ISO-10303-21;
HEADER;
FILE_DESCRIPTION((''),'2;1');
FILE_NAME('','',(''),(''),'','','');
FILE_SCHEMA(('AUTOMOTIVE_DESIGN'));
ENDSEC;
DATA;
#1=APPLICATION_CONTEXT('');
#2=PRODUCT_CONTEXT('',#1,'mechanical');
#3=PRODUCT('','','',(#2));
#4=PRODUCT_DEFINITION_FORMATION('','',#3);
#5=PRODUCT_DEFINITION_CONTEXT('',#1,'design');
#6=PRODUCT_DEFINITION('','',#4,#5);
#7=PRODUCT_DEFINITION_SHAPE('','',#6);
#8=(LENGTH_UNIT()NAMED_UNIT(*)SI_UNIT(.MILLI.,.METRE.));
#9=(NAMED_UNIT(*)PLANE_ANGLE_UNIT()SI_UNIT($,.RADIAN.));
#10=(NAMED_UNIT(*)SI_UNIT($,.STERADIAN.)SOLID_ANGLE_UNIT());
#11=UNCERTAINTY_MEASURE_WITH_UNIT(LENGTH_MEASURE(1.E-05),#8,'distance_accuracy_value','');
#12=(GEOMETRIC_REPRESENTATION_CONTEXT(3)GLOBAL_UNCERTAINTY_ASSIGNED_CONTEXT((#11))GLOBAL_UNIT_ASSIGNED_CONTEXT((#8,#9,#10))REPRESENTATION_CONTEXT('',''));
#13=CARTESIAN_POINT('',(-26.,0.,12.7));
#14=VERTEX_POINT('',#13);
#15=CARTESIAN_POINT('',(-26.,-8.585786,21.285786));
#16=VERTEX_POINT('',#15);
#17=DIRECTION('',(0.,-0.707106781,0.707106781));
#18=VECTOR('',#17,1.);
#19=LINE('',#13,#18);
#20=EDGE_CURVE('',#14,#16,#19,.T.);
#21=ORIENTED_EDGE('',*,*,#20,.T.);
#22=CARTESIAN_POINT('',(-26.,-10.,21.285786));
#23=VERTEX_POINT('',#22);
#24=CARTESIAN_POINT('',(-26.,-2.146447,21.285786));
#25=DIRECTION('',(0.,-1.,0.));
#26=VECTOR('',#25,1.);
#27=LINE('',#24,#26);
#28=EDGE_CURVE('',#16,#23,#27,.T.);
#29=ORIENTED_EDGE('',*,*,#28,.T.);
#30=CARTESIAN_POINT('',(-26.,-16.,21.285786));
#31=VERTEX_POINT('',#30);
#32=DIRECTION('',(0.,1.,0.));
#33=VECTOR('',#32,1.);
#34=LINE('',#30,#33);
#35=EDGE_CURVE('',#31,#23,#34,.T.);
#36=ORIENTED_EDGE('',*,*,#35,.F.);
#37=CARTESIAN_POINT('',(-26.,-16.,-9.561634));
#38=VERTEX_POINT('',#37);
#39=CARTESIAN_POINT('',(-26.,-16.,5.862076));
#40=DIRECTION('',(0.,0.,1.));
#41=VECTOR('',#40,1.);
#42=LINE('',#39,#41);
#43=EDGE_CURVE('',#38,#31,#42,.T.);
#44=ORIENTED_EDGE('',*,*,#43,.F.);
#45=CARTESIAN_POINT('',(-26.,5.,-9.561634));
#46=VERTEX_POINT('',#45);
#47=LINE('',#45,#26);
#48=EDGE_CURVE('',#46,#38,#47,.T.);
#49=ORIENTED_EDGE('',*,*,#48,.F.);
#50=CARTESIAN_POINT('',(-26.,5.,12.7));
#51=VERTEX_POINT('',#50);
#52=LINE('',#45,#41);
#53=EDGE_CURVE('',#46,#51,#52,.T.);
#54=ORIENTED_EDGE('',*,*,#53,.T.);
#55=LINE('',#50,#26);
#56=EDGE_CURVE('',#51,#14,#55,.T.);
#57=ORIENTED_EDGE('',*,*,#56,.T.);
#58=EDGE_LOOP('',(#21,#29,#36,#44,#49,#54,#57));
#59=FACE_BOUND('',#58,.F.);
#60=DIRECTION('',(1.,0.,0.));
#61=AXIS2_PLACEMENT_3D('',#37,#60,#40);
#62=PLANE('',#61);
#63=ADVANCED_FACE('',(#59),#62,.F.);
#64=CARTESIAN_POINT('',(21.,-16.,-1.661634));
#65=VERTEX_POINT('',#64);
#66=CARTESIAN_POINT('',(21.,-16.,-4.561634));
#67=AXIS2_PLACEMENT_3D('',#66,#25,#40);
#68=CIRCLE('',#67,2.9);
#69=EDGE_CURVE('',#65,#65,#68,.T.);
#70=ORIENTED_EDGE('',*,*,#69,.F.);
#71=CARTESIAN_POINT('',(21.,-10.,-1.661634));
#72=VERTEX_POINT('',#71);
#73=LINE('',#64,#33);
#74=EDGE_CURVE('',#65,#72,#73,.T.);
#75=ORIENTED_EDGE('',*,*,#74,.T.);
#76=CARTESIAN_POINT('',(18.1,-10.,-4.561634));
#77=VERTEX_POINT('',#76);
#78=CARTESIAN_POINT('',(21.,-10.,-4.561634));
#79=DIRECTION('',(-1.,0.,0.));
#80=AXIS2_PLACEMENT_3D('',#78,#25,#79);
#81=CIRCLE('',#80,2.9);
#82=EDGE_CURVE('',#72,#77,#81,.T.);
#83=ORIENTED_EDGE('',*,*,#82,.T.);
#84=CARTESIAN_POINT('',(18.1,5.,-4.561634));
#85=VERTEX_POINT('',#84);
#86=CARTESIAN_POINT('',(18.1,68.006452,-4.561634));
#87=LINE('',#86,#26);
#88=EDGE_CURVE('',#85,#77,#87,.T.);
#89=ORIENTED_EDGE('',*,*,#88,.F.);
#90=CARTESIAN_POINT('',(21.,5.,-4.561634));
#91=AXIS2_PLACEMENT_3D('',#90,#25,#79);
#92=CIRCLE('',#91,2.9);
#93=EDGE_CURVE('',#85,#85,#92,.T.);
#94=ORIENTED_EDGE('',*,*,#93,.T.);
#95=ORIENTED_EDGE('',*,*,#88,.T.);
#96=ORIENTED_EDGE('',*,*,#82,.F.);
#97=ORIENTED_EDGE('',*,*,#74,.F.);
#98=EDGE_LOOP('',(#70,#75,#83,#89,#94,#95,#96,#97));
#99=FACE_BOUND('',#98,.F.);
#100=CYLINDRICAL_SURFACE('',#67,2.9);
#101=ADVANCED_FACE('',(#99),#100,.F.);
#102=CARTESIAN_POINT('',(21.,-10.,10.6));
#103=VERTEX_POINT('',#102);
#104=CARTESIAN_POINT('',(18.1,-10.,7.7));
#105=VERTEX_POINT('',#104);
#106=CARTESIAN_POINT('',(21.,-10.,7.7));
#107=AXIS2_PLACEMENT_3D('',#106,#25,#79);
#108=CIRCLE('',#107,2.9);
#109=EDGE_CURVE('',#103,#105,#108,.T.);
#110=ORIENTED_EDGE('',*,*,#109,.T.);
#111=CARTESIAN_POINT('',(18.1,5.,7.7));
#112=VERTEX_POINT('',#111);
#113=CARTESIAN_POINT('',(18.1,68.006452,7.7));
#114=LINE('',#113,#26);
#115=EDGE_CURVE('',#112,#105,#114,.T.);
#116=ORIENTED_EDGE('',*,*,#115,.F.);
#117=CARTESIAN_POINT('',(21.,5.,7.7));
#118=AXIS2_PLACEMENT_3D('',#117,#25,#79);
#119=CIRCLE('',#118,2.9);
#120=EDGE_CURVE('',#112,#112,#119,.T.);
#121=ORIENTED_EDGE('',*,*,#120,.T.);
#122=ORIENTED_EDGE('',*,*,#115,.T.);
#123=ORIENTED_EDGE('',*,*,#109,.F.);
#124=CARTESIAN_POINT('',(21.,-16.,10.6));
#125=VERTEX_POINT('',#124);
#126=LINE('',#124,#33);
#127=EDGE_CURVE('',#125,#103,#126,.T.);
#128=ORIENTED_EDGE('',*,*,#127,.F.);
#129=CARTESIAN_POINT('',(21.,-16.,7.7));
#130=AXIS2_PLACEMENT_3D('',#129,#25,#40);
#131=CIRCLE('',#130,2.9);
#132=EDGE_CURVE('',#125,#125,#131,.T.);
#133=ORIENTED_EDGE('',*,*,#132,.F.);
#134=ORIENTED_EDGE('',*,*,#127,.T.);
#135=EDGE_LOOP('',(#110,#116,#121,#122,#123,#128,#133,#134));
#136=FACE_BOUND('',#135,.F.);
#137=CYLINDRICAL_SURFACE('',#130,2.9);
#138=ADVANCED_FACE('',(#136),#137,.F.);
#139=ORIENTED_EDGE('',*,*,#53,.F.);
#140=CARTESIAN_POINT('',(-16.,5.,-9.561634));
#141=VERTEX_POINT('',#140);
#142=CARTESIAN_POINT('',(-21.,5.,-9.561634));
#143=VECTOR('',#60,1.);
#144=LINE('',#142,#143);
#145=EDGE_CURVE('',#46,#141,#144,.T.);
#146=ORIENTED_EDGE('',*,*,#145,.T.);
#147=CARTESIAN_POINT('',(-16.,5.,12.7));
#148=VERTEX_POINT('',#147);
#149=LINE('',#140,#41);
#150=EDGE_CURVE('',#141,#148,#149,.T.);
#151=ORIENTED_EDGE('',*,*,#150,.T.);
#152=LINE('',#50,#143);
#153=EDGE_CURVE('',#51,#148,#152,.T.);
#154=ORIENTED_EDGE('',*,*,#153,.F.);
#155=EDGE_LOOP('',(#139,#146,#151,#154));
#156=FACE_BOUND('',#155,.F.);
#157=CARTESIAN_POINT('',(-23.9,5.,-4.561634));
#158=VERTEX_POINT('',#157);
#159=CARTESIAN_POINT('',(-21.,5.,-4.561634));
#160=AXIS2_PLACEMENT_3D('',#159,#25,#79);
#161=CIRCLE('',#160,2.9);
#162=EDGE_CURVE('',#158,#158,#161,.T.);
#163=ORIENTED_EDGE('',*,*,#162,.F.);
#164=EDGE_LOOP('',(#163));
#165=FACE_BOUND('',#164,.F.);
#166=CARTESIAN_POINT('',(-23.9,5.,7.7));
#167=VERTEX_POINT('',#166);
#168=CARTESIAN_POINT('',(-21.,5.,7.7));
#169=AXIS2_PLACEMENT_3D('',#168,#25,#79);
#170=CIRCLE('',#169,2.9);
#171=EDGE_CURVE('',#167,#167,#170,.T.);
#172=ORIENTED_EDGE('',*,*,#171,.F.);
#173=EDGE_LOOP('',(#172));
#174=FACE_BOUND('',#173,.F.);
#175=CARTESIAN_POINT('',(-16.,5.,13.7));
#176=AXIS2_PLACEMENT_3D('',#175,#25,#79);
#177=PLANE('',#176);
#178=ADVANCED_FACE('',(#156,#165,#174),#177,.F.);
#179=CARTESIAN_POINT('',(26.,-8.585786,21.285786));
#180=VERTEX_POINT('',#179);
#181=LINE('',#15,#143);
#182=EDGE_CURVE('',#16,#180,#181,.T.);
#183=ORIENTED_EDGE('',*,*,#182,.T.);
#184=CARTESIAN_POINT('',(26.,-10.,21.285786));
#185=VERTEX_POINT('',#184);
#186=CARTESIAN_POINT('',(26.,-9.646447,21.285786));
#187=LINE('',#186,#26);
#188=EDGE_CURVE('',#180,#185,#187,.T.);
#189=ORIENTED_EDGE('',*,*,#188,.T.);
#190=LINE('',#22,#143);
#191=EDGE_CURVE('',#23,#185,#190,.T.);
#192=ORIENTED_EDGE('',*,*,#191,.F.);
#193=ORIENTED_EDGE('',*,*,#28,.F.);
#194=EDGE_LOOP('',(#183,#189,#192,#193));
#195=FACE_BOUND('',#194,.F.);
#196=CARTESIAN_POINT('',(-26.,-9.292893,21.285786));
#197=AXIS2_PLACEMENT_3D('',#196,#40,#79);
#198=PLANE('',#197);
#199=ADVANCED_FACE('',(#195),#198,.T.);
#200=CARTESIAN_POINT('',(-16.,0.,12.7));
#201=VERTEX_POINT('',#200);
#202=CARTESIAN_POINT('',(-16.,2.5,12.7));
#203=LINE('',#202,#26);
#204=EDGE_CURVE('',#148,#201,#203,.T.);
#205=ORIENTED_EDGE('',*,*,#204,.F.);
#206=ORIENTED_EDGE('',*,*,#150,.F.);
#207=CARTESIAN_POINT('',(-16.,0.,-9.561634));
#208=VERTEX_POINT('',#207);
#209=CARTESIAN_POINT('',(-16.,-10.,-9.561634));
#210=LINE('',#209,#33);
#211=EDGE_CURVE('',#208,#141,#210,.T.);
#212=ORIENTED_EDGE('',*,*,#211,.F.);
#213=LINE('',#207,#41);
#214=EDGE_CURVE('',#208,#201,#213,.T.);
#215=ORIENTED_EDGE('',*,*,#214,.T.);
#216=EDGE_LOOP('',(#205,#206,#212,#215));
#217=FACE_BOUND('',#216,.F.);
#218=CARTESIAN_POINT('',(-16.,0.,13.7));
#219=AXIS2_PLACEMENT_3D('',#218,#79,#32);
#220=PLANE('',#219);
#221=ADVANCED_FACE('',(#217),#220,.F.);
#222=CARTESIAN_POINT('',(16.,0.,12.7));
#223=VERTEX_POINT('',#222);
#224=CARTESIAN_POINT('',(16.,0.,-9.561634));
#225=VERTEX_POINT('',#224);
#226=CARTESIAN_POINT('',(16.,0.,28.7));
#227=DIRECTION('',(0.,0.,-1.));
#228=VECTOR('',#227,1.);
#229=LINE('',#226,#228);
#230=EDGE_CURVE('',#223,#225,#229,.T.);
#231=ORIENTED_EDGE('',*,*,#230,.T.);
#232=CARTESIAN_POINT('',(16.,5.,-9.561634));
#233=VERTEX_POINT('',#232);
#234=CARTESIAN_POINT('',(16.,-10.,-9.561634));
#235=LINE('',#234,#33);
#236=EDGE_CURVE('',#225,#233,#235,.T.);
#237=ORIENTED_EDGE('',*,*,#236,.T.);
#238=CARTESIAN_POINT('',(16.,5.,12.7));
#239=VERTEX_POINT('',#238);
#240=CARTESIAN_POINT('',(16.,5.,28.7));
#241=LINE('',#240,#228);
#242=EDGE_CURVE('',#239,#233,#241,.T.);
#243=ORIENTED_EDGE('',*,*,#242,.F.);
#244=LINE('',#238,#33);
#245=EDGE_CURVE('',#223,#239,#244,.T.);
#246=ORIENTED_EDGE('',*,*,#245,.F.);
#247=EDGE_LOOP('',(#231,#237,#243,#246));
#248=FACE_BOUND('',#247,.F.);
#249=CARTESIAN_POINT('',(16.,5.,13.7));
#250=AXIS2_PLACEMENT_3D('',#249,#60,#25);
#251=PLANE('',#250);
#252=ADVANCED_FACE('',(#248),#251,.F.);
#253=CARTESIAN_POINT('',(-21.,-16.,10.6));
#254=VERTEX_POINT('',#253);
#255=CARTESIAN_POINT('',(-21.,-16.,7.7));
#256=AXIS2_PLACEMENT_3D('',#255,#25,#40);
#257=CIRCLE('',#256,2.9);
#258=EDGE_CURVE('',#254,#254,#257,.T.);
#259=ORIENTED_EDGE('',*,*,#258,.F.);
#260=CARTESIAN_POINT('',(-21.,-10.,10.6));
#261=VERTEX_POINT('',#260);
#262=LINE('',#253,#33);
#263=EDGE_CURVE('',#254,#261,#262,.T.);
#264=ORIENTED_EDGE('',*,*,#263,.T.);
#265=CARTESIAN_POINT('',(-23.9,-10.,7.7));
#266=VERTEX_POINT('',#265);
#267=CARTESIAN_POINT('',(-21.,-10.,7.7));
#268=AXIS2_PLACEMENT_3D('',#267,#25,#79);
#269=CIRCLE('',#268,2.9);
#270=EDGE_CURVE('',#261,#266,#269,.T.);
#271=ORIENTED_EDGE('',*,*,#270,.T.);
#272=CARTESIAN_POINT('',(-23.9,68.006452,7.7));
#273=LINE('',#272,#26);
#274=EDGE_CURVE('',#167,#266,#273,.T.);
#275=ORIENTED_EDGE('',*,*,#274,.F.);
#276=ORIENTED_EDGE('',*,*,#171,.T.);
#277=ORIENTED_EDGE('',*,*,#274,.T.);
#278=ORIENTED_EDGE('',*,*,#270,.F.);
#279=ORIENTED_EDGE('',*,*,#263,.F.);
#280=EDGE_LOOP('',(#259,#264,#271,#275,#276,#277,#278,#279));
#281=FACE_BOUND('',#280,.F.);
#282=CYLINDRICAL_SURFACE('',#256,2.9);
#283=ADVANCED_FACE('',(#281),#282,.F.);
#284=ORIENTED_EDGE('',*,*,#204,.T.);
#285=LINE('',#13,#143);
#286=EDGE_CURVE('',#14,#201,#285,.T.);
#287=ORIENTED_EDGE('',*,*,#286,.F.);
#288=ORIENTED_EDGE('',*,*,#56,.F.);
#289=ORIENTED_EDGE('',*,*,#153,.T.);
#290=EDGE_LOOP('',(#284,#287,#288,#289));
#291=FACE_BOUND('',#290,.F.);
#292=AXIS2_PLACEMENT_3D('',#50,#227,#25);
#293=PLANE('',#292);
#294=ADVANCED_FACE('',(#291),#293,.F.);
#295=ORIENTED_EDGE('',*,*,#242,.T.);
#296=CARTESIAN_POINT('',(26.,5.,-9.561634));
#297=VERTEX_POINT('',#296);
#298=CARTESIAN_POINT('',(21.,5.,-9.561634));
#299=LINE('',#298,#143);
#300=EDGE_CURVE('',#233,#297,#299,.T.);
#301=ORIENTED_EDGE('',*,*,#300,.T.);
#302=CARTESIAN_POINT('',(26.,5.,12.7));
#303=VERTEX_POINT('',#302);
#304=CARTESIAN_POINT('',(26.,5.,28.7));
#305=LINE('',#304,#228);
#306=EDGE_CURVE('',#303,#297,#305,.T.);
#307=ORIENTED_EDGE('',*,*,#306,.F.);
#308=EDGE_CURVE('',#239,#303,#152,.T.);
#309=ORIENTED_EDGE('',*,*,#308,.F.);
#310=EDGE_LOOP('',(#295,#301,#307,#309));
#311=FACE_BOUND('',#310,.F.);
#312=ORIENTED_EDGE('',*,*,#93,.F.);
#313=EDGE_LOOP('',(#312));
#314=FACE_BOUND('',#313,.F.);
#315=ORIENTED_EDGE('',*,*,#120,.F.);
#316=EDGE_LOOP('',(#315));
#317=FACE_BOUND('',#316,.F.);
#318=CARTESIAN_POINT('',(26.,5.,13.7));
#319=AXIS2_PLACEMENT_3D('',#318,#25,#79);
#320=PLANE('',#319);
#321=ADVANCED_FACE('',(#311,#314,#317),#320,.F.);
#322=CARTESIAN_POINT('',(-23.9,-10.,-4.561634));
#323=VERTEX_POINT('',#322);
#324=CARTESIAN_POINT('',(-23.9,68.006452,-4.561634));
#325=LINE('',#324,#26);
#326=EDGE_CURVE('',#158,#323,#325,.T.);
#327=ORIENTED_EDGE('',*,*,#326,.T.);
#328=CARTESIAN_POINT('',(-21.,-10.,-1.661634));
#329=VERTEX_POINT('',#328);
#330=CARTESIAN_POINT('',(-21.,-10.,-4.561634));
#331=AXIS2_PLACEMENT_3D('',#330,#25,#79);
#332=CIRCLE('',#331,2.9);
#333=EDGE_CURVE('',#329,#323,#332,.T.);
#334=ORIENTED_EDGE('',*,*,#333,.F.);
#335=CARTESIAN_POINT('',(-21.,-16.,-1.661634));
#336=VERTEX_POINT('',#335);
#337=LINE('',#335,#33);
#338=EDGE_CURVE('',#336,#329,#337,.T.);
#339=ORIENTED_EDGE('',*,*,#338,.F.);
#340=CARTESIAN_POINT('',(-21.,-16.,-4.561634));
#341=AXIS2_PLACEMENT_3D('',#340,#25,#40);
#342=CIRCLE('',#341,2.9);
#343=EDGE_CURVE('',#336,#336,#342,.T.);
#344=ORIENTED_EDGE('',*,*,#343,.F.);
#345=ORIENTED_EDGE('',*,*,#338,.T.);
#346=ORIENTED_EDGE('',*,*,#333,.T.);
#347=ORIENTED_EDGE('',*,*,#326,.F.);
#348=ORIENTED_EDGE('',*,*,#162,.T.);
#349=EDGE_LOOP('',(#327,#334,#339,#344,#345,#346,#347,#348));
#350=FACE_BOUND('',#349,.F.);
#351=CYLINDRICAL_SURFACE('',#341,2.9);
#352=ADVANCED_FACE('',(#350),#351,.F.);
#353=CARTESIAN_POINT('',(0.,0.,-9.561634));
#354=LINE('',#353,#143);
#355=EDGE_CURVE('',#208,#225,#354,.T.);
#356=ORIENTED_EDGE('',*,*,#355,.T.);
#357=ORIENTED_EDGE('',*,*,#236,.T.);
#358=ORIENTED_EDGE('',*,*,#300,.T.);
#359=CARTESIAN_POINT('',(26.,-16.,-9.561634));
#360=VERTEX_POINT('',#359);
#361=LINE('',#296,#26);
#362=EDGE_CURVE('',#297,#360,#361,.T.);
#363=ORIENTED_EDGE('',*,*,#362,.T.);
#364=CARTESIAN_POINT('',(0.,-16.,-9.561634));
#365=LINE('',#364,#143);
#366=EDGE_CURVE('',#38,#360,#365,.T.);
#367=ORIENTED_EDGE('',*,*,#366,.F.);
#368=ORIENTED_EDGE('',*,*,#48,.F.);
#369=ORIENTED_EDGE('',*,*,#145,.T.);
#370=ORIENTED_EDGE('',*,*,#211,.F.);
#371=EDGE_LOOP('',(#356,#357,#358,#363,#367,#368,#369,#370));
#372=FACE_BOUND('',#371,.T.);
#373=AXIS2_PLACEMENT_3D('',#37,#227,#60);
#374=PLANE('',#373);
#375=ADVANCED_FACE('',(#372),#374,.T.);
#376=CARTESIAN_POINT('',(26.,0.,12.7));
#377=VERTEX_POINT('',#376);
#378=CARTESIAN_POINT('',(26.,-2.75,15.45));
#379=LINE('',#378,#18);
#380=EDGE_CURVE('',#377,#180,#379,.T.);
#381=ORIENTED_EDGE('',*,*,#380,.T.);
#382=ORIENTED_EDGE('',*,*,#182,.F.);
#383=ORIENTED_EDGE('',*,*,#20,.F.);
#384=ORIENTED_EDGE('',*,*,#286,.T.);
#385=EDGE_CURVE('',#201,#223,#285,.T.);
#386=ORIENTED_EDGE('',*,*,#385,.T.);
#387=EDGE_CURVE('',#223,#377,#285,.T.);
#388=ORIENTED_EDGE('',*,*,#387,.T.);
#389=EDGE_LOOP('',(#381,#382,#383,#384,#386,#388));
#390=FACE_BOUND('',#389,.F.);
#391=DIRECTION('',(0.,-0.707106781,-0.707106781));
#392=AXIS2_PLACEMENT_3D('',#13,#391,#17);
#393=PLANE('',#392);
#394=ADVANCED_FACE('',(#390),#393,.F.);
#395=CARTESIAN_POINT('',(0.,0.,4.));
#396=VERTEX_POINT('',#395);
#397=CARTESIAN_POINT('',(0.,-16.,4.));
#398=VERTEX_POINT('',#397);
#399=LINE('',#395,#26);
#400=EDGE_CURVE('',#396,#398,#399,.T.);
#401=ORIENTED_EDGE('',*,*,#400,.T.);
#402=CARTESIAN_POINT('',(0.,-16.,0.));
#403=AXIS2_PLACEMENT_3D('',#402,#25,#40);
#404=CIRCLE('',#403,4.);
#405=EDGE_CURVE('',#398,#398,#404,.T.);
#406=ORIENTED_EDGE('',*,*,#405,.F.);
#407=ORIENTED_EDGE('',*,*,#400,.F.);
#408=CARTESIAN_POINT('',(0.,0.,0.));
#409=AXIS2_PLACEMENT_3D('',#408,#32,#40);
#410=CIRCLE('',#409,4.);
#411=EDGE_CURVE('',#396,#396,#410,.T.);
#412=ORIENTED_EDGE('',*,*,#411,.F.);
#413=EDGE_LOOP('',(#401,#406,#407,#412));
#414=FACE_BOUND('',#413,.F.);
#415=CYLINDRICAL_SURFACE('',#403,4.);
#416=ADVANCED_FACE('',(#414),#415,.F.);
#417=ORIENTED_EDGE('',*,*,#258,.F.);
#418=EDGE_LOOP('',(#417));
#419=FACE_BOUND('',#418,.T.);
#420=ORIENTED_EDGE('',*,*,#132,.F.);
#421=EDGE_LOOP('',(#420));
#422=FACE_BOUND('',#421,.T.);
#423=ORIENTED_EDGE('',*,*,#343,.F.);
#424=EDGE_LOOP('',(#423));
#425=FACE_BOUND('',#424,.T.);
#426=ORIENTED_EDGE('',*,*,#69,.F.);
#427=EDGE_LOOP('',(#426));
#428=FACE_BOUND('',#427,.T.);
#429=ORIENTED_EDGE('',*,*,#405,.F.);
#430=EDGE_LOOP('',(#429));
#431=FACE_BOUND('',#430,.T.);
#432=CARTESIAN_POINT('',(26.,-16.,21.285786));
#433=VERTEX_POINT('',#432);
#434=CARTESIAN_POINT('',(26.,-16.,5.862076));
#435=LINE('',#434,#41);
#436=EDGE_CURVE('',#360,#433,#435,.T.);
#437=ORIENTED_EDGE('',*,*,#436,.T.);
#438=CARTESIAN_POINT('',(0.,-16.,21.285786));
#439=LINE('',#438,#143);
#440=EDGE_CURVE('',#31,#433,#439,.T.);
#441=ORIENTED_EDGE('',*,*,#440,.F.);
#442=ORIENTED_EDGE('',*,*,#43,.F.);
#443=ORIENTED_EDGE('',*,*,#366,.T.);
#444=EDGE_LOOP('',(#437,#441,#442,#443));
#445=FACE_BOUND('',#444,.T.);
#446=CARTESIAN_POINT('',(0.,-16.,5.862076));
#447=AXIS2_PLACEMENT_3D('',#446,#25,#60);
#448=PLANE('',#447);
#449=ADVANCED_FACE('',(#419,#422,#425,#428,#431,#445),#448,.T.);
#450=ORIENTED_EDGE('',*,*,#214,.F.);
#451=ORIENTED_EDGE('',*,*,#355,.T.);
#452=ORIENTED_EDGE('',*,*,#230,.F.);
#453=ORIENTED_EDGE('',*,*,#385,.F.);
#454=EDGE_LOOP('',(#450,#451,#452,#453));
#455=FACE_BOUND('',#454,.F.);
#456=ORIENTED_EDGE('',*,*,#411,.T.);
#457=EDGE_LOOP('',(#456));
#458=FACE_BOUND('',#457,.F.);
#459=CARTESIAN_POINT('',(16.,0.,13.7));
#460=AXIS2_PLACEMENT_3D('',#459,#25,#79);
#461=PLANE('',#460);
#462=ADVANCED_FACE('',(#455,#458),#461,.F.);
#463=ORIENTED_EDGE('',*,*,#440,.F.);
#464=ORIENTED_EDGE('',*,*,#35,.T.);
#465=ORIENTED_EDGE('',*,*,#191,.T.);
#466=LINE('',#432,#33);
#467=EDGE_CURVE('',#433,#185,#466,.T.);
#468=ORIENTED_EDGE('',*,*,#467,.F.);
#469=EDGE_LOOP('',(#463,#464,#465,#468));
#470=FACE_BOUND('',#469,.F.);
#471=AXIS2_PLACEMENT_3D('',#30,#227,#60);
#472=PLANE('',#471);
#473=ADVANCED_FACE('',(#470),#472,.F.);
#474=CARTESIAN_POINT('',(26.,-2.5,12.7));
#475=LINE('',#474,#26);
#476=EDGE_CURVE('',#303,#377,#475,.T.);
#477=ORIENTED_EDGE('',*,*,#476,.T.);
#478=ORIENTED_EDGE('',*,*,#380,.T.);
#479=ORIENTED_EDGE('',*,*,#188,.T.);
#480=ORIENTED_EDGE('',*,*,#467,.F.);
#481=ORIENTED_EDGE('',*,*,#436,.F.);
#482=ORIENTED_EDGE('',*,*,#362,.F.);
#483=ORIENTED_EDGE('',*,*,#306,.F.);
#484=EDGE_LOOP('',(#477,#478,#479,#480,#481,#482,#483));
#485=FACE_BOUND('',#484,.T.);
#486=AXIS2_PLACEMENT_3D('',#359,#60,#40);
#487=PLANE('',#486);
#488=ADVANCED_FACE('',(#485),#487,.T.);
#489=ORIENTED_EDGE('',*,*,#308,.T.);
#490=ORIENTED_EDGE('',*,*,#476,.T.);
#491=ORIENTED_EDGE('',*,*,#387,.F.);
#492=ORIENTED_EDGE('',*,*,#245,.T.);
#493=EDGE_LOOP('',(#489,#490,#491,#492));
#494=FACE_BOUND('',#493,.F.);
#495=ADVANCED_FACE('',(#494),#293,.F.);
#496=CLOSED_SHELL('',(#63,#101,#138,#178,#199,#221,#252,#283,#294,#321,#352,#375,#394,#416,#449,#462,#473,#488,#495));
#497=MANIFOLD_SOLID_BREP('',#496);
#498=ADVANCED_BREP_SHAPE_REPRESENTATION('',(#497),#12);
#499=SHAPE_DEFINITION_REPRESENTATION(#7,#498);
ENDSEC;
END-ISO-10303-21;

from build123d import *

# Parameters (mm, degrees)
SKETCH1_W            = 32
SKETCH1_H            = 23.261633661
SKETCH1_R            = 4
BOSS_EXTRUDE1_DEPTH  = 10
SKETCH3_W            = 10
SKETCH3_H            = 23.261633661
BOSS_EXTRUDE2_DEPTH  = 15
BOSS_EXTRUDE3_DEPTH  = 15
CUT_EXTRUDE1_DEPTH   = 61.230307985
M5_CLEARANCE_HOLE1_D = 5.8
CHAMFER1_SIZE        = 2
CHAMFER1_SIZE2       = 1.414213562
BOSS_EXTRUDE4_START  = 6
SKETCH9_W            = 52
SKETCH9_H            = 30.847420099
SKETCH9_R            = 2.9
SKETCH9_R_2          = 4
BOSS_EXTRUDE4_DEPTH  = 6


with BuildPart() as part:
    # Sketch1 → Boss-Extrude1 (new body)
    with BuildSketch(Plane(origin=(0, 0, 0), x_dir=(1, 0, 0), z_dir=(0, 1, 0))):
        with Locations((0, -2.06918317)):
            Rectangle(SKETCH1_W, SKETCH1_H)
        with Locations(Location((0, 0, 0), (0, 0, 270))):
            Circle(SKETCH1_R, mode=Mode.SUBTRACT)
    extrude(amount=-BOSS_EXTRUDE1_DEPTH)

    # Sketch3 → Boss-Extrude2 (add)
    with BuildSketch(Plane.XZ.offset(10)):
        with Locations((-21, 2.06918317)):
            Rectangle(SKETCH3_W, SKETCH3_H)
        with Locations((21, 2.06918317)):
            Rectangle(SKETCH3_W, SKETCH3_H)
    extrude(amount=-BOSS_EXTRUDE2_DEPTH)

    # Sketch5 → Boss-Extrude3 (add)
    with BuildSketch(Plane.XY.offset(13.7)):
        Polygon((16, 0), (-16, 0), (-16, 5), (-26, 5), (-26, -10), (26, -10), (26, 5), (16, 5), align=None)
    extrude(amount=BOSS_EXTRUDE3_DEPTH)

    # Sketch6 → Cut-Extrude1 (cut, through all)
    with BuildSketch(Plane.ZY.offset(26)):
        Polygon((12.7, 0), (22.7, -10), (28.7, -10), (28.7, 5), (12.7, 5), align=None)
    extrude(amount=-CUT_EXTRUDE1_DEPTH, mode=Mode.SUBTRACT)

    # M5 Clearance Hole1 (through all)
    with Locations(Plane(origin=(0, 5, 0), x_dir=(1, 0, 0), z_dir=(0, 1, 0))):
        with Locations((21, 4.561633661), (-21, 4.561633661), (-21, -7.7), (21, -7.7)):
            Hole(M5_CLEARANCE_HOLE1_D / 2)

    # Chamfer1
    chamfer1_edges = [part.edges().sort_by_distance(p)[0] for p in [
        (0, -10, 22.7),
    ]]
    chamfer1_side = [part.faces().sort_by_distance(p)[0] for p in [
        (0, -5, 17.7),
    ]]
    chamfer(chamfer1_edges, length=CHAMFER1_SIZE, length2=CHAMFER1_SIZE2, reference=chamfer1_side[0])

    # Sketch9 → Boss-Extrude4 (add)
    with BuildSketch(Plane.XZ.offset(10).offset(BOSS_EXTRUDE4_START)):
        with Locations((0, 5.862076389)):
            Rectangle(SKETCH9_W, SKETCH9_H)
        with Locations(Location((21, -4.561633661, 0), (0, 0, 90))):
            Circle(SKETCH9_R, mode=Mode.SUBTRACT)
        with Locations(Location((21, 7.7, 0), (0, 0, 90))):
            Circle(SKETCH9_R, mode=Mode.SUBTRACT)
        with Locations(Location((0, 0, 0), (0, 0, 90))):
            Circle(SKETCH9_R_2, mode=Mode.SUBTRACT)
        with Locations(Location((-21, -4.561633661, 0), (0, 0, 90))):
            Circle(SKETCH9_R, mode=Mode.SUBTRACT)
        with Locations(Location((-21, 7.7, 0), (0, 0, 90))):
            Circle(SKETCH9_R, mode=Mode.SUBTRACT)
    extrude(amount=-BOSS_EXTRUDE4_DEPTH)


solid = part.part
